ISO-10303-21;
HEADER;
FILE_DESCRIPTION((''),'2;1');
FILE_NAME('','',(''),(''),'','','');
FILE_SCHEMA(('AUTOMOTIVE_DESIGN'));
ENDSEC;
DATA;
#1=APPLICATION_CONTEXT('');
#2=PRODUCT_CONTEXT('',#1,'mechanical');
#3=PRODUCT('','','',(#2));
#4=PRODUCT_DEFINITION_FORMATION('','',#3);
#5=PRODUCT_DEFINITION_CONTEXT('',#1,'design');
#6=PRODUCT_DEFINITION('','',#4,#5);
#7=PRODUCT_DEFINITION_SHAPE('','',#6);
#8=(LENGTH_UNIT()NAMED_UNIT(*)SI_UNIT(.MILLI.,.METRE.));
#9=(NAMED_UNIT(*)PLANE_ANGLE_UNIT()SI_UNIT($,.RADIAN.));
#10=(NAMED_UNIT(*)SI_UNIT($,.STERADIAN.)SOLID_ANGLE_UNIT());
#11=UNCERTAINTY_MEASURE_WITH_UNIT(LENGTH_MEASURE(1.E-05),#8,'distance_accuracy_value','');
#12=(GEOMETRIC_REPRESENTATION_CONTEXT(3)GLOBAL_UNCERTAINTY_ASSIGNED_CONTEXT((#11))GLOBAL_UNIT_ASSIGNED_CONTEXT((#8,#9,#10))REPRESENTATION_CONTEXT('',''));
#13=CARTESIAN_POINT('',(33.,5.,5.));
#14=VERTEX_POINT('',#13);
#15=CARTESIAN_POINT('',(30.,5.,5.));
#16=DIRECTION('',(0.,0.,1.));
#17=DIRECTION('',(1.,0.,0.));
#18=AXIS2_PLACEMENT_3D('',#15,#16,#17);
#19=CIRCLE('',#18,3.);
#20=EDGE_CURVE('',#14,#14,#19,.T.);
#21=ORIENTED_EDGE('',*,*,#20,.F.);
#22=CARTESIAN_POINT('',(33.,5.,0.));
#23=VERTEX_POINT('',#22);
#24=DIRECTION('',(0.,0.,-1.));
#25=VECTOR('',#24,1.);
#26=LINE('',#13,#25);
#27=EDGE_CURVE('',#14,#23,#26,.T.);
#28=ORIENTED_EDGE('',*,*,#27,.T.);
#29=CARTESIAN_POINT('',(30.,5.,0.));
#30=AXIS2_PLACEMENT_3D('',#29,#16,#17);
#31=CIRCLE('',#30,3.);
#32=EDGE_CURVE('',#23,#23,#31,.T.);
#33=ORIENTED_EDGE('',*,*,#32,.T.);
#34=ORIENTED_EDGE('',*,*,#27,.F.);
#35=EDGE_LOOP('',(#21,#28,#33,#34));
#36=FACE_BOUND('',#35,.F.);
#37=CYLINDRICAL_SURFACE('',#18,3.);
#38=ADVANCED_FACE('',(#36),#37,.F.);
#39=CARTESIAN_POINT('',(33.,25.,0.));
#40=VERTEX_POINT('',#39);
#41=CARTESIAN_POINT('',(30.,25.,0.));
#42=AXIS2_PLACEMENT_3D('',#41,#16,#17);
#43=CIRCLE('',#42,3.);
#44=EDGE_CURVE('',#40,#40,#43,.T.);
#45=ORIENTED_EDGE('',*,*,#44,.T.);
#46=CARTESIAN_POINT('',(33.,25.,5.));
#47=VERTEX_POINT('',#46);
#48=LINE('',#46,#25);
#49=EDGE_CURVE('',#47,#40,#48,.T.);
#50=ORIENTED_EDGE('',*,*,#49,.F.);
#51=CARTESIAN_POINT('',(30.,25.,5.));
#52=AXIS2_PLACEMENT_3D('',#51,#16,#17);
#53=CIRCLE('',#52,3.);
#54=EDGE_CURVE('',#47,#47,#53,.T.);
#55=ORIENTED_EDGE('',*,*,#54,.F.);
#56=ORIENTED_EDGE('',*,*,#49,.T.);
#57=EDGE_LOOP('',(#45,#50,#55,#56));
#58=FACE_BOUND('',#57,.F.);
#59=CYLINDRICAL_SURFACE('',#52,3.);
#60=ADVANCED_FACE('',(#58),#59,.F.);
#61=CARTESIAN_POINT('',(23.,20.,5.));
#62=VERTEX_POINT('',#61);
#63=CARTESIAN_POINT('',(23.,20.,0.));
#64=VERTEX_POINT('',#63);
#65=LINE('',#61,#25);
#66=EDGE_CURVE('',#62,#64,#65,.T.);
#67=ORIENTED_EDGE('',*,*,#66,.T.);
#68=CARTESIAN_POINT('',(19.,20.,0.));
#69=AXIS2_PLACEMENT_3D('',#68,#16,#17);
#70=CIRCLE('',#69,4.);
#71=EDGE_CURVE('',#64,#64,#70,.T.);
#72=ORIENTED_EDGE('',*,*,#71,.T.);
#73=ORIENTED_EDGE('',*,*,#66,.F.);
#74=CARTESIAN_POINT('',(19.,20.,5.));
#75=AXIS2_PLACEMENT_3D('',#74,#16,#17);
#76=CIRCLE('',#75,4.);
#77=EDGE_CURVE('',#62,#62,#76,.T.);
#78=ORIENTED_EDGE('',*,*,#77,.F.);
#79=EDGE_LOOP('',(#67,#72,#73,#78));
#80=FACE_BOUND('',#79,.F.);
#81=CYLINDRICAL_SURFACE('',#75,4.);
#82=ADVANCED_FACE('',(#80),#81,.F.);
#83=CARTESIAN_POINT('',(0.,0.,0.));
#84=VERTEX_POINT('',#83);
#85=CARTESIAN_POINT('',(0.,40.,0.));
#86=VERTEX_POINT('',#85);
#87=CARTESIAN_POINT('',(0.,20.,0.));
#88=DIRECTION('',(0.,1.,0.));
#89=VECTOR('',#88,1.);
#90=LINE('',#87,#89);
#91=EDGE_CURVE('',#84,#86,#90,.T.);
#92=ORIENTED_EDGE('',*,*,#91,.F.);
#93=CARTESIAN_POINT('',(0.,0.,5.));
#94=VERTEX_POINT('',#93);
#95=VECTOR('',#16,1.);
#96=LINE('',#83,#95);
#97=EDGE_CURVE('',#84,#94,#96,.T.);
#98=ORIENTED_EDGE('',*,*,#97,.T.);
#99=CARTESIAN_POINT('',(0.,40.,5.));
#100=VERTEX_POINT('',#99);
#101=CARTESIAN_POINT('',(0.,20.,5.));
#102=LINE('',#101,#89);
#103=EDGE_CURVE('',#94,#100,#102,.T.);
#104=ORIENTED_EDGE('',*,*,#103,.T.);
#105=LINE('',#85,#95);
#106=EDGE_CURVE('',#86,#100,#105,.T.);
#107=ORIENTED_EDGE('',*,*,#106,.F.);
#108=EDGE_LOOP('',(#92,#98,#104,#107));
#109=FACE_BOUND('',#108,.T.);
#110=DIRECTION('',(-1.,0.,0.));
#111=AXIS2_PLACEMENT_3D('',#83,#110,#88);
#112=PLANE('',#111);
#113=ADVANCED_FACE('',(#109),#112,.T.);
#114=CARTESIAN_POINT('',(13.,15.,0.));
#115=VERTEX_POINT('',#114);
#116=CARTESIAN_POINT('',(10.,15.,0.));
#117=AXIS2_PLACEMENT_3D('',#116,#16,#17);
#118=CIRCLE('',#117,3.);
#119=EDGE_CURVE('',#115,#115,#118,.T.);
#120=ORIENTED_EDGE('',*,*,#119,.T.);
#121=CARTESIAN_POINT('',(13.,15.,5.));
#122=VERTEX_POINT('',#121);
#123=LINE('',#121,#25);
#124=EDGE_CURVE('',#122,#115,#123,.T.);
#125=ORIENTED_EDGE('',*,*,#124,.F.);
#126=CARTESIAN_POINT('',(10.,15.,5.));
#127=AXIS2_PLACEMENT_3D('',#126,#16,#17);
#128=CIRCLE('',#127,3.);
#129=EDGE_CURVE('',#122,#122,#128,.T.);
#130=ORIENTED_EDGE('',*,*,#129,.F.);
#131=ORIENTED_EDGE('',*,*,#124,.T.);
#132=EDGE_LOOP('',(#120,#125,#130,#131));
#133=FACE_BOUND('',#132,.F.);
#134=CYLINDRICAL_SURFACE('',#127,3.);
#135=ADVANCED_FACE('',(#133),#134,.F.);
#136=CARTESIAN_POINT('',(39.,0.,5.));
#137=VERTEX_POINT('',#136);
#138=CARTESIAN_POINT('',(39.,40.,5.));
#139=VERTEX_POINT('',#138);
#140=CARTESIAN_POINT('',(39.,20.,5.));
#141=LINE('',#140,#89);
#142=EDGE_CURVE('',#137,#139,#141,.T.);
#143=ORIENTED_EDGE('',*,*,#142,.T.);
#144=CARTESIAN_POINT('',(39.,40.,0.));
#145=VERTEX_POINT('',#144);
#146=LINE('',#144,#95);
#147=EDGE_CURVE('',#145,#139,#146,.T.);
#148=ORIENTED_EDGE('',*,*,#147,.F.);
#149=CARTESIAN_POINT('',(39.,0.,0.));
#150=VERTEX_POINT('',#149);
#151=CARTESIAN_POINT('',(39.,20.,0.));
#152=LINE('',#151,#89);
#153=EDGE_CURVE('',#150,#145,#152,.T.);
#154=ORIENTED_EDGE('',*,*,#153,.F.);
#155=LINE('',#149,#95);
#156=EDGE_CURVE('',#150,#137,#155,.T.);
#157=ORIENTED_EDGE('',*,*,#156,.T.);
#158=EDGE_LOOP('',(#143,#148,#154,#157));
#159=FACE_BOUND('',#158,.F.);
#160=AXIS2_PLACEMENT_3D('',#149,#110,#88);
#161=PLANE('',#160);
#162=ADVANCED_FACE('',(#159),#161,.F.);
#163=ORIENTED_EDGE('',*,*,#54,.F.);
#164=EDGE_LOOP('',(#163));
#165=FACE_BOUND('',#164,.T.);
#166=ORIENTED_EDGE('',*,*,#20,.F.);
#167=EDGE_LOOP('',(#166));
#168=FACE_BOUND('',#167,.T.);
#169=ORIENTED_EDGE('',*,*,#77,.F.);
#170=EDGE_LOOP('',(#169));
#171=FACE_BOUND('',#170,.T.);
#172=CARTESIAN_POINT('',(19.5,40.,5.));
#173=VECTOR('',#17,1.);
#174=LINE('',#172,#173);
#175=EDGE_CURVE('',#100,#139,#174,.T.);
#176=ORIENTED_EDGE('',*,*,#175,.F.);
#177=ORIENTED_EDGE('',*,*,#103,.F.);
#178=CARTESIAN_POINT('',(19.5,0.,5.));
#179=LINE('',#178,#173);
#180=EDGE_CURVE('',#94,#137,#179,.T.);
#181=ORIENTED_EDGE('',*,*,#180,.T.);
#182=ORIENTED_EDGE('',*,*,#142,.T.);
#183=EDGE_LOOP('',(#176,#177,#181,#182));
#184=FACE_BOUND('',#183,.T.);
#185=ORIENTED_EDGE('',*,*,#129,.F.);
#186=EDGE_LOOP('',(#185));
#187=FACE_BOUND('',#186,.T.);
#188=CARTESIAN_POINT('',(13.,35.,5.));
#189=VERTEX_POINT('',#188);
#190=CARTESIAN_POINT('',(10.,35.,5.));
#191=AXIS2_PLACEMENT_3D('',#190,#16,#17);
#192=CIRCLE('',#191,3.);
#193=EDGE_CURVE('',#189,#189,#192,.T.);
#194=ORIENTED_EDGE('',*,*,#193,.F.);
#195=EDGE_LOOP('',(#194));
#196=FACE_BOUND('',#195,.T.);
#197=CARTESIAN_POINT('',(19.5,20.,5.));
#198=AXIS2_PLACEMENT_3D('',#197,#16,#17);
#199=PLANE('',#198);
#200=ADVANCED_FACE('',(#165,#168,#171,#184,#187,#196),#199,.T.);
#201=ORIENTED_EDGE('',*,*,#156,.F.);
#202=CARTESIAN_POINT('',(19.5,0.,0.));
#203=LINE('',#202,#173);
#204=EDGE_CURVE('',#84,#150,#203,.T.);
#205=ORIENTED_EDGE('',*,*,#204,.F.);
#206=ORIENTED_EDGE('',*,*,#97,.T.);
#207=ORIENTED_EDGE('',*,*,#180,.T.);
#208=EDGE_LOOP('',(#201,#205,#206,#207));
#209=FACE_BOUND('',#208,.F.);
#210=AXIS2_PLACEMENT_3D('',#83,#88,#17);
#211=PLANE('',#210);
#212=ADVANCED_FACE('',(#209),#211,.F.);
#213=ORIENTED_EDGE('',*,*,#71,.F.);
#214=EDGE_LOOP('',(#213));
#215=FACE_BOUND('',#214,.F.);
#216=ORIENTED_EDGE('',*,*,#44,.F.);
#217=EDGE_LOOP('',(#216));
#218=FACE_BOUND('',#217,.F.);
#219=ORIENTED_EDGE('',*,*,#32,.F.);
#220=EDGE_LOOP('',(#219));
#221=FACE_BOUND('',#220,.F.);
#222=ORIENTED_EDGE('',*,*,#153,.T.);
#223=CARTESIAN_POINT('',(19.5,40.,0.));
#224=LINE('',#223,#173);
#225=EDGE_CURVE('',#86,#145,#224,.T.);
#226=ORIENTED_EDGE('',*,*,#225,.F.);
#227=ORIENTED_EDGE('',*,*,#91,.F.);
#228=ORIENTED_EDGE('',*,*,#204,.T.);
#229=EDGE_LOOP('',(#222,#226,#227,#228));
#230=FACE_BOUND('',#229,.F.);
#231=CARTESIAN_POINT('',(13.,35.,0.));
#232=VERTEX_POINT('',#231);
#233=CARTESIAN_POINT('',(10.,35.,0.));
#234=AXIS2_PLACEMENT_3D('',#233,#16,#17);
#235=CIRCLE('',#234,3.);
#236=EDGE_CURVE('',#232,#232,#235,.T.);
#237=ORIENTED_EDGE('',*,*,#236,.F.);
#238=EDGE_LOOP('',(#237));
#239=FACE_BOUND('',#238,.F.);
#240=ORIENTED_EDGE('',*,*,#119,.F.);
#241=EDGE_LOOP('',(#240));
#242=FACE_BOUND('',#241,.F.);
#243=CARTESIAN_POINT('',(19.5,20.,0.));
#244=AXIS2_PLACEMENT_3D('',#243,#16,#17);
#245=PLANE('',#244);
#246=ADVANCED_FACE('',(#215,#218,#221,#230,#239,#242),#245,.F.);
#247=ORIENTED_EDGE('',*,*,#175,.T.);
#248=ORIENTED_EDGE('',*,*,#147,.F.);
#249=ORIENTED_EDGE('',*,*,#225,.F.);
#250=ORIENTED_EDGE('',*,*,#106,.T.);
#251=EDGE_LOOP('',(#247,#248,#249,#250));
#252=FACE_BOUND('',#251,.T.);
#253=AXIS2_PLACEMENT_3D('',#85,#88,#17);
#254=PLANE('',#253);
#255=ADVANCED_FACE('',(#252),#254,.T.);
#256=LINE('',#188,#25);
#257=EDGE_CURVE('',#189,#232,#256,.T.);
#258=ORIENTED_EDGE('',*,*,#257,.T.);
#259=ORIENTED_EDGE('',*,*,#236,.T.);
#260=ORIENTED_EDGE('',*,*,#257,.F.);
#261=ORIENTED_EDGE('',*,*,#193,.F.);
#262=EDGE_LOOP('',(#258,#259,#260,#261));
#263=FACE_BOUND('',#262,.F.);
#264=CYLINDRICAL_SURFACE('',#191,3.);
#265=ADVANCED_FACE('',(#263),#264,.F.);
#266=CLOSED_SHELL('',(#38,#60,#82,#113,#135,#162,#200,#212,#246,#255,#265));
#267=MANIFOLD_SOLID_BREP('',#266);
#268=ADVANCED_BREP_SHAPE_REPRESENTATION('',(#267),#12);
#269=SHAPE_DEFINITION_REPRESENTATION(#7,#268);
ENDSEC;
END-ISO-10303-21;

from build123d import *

# Parameters (mm, degrees)
SKETCH_W      = 39
SKETCH_H      = 40
PAD_DEPTH     = 5
SKETCH001_R   = 3
SKETCH001_R_2 = 4
POCKET_DEPTH  = 5.001


with BuildPart() as part:
    # Sketch → Pad (new body)
    with BuildSketch(Plane.XY):
        with Locations((19.5, 20)):
            Rectangle(SKETCH_W, SKETCH_H)
    extrude(amount=PAD_DEPTH)

    # Sketch001 (on Face6 of Pad) → Pocket (cut, through all)
    with BuildSketch(Plane.XY.offset(5)):
        with Locations((10, 35)):
            Circle(SKETCH001_R)
        with Locations((30, 25)):
            Circle(SKETCH001_R)
        with Locations((10, 15)):
            Circle(SKETCH001_R)
        with Locations((30, 5)):
            Circle(SKETCH001_R)
        with Locations((19, 20)):
            Circle(SKETCH001_R_2)
    extrude(amount=-POCKET_DEPTH, mode=Mode.SUBTRACT)


solid = part.part
